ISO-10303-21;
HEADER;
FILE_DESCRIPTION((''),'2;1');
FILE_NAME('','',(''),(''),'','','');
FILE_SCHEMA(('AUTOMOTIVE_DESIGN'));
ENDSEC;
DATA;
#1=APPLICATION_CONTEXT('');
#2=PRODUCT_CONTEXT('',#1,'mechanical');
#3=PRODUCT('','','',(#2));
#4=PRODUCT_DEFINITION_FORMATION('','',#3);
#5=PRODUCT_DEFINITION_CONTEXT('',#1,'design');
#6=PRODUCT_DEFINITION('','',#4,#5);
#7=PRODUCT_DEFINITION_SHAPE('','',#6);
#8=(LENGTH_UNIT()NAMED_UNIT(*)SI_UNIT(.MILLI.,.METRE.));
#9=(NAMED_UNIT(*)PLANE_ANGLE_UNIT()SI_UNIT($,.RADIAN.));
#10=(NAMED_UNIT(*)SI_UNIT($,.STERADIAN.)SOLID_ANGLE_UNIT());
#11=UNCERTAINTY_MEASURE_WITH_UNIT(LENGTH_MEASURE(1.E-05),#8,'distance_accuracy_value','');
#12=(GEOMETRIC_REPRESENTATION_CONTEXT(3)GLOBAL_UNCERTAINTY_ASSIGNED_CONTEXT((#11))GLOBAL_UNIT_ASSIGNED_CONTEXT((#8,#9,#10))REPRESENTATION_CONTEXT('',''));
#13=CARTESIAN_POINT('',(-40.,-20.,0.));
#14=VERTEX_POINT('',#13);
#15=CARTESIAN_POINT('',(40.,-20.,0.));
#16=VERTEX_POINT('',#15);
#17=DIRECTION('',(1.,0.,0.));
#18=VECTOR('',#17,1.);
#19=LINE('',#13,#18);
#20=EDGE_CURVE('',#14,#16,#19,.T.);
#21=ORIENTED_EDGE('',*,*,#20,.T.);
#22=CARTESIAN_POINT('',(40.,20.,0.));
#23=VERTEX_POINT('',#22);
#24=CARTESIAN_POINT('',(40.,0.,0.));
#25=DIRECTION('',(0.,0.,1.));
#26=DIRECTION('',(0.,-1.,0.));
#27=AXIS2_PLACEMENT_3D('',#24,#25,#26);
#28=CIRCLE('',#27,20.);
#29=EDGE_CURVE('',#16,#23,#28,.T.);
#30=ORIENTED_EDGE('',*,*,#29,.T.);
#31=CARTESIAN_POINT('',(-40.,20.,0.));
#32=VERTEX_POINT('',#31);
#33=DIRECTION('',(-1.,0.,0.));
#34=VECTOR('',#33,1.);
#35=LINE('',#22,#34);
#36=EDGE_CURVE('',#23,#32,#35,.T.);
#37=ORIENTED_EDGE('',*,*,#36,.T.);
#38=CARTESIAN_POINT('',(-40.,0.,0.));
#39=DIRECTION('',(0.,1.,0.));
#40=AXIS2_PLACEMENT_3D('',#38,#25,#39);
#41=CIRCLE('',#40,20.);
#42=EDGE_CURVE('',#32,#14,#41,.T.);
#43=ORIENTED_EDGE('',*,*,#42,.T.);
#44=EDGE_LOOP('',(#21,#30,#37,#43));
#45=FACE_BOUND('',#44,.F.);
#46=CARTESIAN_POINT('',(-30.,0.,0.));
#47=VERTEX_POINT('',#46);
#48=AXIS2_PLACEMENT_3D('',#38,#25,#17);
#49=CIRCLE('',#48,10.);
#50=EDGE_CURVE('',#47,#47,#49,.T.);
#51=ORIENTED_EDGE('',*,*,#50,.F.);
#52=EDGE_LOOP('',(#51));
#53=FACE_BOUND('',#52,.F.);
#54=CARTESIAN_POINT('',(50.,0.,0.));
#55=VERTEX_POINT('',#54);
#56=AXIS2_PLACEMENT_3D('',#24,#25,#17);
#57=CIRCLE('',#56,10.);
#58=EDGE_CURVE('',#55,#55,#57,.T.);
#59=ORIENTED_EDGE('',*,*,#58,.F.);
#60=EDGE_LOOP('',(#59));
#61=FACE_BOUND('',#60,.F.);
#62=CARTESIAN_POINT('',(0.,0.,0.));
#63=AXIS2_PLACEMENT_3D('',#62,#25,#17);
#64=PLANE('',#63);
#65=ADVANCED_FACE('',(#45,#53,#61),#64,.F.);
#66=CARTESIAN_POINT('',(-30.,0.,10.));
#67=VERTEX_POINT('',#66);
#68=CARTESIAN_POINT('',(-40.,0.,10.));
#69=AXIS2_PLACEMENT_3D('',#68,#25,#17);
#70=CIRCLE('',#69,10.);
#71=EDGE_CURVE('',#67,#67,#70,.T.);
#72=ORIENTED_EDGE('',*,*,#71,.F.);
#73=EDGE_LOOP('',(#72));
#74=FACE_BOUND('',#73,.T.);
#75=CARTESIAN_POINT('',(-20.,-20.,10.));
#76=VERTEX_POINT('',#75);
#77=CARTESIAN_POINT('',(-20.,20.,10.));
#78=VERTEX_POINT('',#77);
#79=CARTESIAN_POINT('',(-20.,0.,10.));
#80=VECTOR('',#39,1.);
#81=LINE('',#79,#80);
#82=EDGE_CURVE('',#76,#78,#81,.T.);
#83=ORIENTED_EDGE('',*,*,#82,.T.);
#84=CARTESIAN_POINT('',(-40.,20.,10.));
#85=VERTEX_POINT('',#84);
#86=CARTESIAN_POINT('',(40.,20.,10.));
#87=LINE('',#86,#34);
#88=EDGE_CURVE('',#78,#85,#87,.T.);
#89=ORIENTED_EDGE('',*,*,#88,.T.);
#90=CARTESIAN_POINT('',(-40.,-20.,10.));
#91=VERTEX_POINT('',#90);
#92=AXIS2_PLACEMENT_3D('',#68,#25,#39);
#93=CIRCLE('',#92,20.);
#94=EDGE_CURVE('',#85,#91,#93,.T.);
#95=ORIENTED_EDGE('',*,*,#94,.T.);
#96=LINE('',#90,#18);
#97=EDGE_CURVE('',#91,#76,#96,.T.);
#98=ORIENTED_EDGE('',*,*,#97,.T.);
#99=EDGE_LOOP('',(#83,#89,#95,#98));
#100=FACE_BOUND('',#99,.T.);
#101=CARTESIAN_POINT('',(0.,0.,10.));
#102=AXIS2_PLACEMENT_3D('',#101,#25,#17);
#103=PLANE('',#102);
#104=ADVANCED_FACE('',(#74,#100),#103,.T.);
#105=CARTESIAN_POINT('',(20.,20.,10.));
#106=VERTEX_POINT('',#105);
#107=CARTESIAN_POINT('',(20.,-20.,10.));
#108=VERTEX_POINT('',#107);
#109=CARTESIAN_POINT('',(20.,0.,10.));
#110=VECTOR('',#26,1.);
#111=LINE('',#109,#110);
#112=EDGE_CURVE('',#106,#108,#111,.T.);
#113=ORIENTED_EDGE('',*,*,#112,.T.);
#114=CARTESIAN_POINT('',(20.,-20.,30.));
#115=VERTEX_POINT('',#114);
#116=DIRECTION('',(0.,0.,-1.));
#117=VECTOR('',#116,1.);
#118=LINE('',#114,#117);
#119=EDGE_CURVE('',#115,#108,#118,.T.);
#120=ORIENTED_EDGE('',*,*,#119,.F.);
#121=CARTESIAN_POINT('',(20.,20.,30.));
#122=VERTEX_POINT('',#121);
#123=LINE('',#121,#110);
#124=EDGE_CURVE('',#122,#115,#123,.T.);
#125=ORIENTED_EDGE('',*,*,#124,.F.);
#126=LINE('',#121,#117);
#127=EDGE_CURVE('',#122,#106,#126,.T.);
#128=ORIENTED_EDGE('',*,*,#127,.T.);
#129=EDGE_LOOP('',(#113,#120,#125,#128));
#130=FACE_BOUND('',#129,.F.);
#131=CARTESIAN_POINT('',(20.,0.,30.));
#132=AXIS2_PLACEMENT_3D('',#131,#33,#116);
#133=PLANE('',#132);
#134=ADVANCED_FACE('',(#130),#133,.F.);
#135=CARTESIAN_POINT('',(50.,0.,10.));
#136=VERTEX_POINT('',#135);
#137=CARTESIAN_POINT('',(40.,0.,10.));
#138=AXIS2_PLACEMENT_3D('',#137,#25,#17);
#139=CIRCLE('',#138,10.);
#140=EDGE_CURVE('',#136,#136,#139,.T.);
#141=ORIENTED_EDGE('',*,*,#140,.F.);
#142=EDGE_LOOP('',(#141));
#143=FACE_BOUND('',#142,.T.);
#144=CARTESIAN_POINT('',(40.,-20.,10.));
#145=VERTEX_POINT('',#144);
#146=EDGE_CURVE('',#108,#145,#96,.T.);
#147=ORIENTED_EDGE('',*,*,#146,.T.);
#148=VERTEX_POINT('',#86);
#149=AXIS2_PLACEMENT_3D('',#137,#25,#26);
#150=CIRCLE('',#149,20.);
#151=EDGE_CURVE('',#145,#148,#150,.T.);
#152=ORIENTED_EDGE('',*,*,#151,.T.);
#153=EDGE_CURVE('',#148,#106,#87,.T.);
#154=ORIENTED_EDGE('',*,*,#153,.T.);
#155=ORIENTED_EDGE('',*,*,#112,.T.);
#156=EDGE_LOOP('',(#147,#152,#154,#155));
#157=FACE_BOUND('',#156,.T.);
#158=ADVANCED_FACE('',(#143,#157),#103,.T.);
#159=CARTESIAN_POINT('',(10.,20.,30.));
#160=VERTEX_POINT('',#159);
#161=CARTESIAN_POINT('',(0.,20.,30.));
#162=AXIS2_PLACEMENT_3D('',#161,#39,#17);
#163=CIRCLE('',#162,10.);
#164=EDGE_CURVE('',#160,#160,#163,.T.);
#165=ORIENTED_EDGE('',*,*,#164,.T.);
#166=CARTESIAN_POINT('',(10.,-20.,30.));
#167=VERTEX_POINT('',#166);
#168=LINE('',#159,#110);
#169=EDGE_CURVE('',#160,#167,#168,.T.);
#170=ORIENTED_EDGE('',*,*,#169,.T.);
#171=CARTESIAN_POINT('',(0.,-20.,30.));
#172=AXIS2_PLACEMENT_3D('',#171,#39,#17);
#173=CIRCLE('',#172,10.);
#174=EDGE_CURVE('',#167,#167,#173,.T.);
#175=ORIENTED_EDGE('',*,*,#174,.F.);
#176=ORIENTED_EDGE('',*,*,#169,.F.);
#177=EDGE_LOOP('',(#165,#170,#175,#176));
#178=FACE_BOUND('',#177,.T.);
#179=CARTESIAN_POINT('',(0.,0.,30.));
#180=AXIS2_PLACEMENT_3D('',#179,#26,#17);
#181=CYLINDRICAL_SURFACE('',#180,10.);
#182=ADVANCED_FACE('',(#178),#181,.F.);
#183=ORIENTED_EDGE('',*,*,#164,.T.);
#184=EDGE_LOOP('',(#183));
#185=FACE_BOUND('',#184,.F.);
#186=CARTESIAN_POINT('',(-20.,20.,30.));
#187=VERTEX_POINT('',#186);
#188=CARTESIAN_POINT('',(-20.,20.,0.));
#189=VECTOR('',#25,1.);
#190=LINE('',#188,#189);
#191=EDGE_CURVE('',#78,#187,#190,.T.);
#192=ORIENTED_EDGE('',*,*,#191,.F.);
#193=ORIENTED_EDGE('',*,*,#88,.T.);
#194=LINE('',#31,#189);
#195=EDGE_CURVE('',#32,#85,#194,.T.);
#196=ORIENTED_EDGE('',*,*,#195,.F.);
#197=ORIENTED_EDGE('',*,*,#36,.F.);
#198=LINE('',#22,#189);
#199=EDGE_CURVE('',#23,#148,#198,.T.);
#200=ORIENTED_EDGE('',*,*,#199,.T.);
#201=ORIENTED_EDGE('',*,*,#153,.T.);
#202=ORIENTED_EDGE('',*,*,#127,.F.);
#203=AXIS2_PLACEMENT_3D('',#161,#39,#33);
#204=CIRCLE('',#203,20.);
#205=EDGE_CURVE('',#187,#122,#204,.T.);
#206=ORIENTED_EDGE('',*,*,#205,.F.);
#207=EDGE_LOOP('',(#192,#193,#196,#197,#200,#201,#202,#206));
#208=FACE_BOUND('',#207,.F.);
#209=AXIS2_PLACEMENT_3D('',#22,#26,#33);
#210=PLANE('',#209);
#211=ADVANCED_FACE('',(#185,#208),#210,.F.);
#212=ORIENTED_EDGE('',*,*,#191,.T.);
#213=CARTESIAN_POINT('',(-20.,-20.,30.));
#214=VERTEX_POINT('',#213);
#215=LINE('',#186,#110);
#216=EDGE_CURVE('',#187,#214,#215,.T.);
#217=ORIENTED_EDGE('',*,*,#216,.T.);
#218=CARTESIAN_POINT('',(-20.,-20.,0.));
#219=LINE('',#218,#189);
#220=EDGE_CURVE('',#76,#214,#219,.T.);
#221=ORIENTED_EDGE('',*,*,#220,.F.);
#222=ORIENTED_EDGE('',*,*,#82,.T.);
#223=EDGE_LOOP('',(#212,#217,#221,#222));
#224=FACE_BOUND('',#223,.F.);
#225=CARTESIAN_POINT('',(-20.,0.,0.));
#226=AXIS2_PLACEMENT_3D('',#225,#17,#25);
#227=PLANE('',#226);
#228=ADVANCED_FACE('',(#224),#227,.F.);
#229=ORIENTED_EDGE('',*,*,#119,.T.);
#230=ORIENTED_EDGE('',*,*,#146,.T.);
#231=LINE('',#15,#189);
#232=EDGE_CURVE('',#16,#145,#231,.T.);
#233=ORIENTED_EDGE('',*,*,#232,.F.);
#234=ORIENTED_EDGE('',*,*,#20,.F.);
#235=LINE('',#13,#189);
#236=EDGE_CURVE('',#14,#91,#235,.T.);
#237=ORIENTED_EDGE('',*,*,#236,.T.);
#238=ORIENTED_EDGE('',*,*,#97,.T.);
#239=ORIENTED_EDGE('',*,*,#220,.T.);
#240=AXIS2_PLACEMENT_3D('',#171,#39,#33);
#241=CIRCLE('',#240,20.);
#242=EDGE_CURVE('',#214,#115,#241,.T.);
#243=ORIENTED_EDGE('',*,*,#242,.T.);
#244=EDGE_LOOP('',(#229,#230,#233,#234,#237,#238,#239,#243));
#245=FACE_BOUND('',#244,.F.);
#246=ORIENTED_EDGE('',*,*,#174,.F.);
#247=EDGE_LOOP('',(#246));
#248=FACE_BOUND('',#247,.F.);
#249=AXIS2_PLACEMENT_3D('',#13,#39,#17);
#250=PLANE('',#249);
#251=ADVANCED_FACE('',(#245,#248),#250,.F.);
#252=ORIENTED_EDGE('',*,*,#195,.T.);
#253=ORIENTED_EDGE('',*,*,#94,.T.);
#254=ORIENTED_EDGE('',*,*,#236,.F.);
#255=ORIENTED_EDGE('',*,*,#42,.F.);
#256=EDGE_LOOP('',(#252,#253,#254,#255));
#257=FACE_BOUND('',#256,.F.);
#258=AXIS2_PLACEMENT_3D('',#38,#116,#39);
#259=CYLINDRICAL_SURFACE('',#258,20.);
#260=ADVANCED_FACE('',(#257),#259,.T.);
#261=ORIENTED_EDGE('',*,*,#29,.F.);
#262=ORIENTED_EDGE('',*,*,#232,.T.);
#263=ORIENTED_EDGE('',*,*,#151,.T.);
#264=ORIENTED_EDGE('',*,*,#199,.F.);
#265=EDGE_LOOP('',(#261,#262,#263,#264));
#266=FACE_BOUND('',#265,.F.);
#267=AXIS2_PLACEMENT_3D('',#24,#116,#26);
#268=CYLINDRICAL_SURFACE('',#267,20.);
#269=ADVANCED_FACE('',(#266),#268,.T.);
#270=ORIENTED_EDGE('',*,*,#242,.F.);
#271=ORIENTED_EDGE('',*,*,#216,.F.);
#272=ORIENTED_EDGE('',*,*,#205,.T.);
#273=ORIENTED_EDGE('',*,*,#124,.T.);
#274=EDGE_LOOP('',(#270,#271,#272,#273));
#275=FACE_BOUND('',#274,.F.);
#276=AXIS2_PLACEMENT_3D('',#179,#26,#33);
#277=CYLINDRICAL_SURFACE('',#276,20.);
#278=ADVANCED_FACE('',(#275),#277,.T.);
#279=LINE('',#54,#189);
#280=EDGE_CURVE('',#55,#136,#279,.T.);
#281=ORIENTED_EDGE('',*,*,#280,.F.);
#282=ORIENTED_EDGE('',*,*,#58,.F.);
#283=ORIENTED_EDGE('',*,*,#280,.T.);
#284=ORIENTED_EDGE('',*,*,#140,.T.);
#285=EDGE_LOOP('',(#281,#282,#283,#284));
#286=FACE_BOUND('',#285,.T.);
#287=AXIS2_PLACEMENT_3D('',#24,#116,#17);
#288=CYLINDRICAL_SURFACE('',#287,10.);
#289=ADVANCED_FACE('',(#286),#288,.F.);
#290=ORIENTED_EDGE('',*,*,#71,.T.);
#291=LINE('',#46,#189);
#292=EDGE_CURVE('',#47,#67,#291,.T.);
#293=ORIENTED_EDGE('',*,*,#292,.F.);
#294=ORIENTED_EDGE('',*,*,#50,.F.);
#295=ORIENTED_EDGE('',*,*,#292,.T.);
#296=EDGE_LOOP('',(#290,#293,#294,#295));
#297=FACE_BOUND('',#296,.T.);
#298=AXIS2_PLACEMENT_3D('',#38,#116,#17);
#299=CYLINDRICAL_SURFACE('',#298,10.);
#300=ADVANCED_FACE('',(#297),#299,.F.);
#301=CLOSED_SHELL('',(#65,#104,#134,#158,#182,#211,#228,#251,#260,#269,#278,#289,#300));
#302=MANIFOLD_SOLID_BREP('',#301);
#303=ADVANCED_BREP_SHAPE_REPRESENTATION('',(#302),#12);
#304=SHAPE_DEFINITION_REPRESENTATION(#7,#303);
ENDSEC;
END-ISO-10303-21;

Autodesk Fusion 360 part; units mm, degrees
sketch "Sketch1" plane through (0, 0, 0) normal (0, 0, 1) x (1, 0, 0)
  line L0 (40, 20) -> (-40, 20)
  line L1 (-40, -20) -> (40, -20)
  circle A0 centre (40, 0) radius 10
  circle A1 centre (-40, 0) radius 10
  arc A2 (40, -20) -> (40, 20) centre (40, 0) ccw
  arc A3 (-40, 20) -> (-40, -20) centre (-40, 0) ccw
  dimension "d1" = 80
  dimension "d2" = 40
  dimension "d5" = 40
  dimension "d6" = 40
extrude "Extrude1" add sketch "Sketch1" along normal blind 10
sketch "Sketch2" plane through (0, 0, 0) normal (0, 1, 0) x (1, 0, 0)
  line L0 (20, 0) -> (-20, 0)
  line L1 (-20, 0) -> (-20, -30)
  line L2 (20, -30) -> (20, 0)
  line L3 (40, 0) -> (40, -10)
  circle A0 centre (0, -30) radius 10
  arc A1 (-20, -30) -> (20, -30) centre (0, -30) ccw
  dimension "d11" = 40
  dimension "d12" = 30
  dimension "d13" = 20
  dimension "d16" = 20
extrude "Extrude2" add sketch "Sketch2" along normal mid plane 40
